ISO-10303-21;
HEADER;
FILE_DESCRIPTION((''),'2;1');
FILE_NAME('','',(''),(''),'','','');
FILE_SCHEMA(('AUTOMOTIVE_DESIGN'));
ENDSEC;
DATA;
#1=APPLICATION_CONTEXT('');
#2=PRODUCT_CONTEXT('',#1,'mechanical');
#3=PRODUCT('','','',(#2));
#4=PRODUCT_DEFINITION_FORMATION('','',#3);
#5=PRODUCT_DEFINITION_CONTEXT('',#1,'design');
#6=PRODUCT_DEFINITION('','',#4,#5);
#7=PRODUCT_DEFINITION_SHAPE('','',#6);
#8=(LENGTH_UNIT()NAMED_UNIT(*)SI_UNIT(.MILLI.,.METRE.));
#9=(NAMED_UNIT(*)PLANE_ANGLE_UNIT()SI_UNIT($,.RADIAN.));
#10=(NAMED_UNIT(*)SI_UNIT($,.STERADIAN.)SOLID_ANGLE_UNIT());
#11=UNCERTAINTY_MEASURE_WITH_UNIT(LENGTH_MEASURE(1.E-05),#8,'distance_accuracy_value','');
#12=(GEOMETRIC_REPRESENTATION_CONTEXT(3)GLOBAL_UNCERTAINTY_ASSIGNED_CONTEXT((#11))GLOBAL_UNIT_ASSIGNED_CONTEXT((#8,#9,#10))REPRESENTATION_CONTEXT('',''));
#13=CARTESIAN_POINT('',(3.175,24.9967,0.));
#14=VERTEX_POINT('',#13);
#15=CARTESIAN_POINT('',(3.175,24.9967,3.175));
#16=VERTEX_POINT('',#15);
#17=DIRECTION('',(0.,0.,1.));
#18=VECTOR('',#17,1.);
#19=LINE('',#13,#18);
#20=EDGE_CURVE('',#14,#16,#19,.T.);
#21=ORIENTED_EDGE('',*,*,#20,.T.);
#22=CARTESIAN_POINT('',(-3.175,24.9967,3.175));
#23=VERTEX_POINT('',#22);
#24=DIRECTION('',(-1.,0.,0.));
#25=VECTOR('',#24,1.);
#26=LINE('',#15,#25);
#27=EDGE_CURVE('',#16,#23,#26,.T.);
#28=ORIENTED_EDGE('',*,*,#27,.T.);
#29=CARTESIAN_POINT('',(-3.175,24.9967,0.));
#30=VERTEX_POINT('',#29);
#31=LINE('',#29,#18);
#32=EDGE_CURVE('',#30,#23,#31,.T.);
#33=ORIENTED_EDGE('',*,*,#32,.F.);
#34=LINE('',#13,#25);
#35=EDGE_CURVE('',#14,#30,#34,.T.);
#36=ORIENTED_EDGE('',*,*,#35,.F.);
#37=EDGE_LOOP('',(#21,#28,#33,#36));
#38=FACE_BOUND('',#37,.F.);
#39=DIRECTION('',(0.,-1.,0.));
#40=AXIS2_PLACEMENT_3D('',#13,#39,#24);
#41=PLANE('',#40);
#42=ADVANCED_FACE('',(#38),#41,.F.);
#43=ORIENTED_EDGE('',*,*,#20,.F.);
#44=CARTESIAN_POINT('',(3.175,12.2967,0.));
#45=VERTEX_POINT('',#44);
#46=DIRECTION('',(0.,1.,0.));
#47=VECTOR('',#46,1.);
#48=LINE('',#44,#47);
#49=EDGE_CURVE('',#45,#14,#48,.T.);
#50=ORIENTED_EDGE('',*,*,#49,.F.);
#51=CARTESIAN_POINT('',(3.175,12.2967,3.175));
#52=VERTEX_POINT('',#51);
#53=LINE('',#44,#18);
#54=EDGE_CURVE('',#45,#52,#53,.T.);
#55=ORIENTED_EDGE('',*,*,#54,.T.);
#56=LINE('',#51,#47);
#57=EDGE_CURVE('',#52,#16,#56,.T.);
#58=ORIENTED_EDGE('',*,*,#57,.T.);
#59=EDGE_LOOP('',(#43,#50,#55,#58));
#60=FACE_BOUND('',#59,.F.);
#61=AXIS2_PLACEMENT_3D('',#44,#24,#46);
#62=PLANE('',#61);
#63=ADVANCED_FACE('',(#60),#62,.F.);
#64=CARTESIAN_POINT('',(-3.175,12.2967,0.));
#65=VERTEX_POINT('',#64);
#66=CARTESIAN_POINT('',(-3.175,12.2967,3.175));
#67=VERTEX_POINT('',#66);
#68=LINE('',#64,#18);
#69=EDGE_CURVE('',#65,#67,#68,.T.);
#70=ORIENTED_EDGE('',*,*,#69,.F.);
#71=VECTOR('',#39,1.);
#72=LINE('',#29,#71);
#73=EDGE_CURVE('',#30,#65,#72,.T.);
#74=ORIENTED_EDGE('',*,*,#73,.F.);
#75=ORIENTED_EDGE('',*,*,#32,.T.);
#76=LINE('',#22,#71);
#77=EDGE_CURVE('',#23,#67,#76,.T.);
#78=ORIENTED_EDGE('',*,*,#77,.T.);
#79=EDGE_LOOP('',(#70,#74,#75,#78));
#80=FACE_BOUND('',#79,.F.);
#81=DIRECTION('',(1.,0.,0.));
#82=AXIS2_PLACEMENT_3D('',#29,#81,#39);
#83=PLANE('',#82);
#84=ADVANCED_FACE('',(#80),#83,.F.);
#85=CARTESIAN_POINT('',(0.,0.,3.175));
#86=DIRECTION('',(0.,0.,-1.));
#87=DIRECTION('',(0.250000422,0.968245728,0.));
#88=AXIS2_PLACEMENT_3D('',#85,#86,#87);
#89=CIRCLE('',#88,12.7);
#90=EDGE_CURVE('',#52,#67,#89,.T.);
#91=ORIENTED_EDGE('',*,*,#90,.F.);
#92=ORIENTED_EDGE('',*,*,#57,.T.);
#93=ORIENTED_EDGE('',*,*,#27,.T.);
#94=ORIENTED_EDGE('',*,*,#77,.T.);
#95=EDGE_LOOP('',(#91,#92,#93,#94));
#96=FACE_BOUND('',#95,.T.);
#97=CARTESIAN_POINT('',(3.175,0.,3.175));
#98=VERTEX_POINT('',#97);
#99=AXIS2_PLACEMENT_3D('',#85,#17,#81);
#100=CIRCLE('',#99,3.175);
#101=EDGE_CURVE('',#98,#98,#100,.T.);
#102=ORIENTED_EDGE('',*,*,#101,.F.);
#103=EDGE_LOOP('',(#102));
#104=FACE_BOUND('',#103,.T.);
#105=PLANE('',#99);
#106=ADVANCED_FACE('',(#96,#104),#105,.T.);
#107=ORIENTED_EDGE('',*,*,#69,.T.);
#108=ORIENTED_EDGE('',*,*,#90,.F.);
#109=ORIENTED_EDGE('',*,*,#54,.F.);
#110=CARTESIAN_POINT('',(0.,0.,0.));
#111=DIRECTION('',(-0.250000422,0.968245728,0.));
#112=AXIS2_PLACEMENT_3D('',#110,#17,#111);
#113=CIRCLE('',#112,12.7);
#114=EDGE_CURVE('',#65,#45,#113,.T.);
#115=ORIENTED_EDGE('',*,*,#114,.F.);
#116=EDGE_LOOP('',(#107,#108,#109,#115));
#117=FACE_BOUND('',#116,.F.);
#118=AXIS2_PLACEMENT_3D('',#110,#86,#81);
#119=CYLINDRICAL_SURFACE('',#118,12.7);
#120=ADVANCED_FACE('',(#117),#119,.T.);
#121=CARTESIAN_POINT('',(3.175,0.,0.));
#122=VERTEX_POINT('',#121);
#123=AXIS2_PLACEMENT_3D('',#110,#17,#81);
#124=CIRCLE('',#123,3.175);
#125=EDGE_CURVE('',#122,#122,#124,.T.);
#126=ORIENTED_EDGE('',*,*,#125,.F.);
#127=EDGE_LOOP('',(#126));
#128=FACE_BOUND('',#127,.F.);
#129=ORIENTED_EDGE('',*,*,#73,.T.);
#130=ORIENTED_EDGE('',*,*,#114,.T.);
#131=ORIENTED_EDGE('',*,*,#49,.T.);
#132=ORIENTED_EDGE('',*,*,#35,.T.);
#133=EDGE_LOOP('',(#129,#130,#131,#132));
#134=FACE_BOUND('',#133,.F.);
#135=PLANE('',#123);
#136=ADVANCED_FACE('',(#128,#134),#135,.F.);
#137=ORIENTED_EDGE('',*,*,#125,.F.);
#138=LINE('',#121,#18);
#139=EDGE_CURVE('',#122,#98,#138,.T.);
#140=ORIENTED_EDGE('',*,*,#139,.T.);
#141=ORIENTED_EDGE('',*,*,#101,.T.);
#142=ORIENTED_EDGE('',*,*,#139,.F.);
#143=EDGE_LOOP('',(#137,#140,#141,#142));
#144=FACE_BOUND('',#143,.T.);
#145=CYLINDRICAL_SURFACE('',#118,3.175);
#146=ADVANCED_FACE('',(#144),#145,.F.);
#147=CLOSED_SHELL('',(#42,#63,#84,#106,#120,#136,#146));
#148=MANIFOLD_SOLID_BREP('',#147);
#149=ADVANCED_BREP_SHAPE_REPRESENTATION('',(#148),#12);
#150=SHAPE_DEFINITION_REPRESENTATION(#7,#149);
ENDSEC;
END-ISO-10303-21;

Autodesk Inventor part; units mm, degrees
ref_plane "YZ Plane" through (0, 0, 0) normal (1, 0, 0) x (0, 1, 0)
ref_plane "XZ Plane" through (0, 0, 0) normal (0, 1, 0) x (-1, 0, 0)
ref_plane "XY Plane" through (0, 0, 0) normal (0, 0, 1) x (1, 0, 0)
sketch "Sketch1" plane through (0, 0, 0) normal (0, 0, 1) x (1, 0, 0)
  circle A0 centre (0, 0) radius 3.175
  circle A1 centre (0, 0) radius 12.7
  line L0 (-3.175, 12.2967) -> (3.175, 12.2967)
  line L1 (-3.175, 12.2967) -> (3.175, 12.2967)
  line L2 (3.175, 12.2967) -> (3.175, 24.9967)
  line L3 (3.175, 24.9967) -> (-3.175, 24.9967)
  line L4 (-3.175, 24.9967) -> (-3.175, 12.2967)
  dimension "d0" = 6.35
  dimension "d1" = 25.4
  dimension "d2" = 6.35
  dimension "d3" = 12.7
  dimension "d4" = 6.35
extrude "Extrusion1" add sketch "Sketch1" along normal blind 3.175
properties part number "spinnything"
